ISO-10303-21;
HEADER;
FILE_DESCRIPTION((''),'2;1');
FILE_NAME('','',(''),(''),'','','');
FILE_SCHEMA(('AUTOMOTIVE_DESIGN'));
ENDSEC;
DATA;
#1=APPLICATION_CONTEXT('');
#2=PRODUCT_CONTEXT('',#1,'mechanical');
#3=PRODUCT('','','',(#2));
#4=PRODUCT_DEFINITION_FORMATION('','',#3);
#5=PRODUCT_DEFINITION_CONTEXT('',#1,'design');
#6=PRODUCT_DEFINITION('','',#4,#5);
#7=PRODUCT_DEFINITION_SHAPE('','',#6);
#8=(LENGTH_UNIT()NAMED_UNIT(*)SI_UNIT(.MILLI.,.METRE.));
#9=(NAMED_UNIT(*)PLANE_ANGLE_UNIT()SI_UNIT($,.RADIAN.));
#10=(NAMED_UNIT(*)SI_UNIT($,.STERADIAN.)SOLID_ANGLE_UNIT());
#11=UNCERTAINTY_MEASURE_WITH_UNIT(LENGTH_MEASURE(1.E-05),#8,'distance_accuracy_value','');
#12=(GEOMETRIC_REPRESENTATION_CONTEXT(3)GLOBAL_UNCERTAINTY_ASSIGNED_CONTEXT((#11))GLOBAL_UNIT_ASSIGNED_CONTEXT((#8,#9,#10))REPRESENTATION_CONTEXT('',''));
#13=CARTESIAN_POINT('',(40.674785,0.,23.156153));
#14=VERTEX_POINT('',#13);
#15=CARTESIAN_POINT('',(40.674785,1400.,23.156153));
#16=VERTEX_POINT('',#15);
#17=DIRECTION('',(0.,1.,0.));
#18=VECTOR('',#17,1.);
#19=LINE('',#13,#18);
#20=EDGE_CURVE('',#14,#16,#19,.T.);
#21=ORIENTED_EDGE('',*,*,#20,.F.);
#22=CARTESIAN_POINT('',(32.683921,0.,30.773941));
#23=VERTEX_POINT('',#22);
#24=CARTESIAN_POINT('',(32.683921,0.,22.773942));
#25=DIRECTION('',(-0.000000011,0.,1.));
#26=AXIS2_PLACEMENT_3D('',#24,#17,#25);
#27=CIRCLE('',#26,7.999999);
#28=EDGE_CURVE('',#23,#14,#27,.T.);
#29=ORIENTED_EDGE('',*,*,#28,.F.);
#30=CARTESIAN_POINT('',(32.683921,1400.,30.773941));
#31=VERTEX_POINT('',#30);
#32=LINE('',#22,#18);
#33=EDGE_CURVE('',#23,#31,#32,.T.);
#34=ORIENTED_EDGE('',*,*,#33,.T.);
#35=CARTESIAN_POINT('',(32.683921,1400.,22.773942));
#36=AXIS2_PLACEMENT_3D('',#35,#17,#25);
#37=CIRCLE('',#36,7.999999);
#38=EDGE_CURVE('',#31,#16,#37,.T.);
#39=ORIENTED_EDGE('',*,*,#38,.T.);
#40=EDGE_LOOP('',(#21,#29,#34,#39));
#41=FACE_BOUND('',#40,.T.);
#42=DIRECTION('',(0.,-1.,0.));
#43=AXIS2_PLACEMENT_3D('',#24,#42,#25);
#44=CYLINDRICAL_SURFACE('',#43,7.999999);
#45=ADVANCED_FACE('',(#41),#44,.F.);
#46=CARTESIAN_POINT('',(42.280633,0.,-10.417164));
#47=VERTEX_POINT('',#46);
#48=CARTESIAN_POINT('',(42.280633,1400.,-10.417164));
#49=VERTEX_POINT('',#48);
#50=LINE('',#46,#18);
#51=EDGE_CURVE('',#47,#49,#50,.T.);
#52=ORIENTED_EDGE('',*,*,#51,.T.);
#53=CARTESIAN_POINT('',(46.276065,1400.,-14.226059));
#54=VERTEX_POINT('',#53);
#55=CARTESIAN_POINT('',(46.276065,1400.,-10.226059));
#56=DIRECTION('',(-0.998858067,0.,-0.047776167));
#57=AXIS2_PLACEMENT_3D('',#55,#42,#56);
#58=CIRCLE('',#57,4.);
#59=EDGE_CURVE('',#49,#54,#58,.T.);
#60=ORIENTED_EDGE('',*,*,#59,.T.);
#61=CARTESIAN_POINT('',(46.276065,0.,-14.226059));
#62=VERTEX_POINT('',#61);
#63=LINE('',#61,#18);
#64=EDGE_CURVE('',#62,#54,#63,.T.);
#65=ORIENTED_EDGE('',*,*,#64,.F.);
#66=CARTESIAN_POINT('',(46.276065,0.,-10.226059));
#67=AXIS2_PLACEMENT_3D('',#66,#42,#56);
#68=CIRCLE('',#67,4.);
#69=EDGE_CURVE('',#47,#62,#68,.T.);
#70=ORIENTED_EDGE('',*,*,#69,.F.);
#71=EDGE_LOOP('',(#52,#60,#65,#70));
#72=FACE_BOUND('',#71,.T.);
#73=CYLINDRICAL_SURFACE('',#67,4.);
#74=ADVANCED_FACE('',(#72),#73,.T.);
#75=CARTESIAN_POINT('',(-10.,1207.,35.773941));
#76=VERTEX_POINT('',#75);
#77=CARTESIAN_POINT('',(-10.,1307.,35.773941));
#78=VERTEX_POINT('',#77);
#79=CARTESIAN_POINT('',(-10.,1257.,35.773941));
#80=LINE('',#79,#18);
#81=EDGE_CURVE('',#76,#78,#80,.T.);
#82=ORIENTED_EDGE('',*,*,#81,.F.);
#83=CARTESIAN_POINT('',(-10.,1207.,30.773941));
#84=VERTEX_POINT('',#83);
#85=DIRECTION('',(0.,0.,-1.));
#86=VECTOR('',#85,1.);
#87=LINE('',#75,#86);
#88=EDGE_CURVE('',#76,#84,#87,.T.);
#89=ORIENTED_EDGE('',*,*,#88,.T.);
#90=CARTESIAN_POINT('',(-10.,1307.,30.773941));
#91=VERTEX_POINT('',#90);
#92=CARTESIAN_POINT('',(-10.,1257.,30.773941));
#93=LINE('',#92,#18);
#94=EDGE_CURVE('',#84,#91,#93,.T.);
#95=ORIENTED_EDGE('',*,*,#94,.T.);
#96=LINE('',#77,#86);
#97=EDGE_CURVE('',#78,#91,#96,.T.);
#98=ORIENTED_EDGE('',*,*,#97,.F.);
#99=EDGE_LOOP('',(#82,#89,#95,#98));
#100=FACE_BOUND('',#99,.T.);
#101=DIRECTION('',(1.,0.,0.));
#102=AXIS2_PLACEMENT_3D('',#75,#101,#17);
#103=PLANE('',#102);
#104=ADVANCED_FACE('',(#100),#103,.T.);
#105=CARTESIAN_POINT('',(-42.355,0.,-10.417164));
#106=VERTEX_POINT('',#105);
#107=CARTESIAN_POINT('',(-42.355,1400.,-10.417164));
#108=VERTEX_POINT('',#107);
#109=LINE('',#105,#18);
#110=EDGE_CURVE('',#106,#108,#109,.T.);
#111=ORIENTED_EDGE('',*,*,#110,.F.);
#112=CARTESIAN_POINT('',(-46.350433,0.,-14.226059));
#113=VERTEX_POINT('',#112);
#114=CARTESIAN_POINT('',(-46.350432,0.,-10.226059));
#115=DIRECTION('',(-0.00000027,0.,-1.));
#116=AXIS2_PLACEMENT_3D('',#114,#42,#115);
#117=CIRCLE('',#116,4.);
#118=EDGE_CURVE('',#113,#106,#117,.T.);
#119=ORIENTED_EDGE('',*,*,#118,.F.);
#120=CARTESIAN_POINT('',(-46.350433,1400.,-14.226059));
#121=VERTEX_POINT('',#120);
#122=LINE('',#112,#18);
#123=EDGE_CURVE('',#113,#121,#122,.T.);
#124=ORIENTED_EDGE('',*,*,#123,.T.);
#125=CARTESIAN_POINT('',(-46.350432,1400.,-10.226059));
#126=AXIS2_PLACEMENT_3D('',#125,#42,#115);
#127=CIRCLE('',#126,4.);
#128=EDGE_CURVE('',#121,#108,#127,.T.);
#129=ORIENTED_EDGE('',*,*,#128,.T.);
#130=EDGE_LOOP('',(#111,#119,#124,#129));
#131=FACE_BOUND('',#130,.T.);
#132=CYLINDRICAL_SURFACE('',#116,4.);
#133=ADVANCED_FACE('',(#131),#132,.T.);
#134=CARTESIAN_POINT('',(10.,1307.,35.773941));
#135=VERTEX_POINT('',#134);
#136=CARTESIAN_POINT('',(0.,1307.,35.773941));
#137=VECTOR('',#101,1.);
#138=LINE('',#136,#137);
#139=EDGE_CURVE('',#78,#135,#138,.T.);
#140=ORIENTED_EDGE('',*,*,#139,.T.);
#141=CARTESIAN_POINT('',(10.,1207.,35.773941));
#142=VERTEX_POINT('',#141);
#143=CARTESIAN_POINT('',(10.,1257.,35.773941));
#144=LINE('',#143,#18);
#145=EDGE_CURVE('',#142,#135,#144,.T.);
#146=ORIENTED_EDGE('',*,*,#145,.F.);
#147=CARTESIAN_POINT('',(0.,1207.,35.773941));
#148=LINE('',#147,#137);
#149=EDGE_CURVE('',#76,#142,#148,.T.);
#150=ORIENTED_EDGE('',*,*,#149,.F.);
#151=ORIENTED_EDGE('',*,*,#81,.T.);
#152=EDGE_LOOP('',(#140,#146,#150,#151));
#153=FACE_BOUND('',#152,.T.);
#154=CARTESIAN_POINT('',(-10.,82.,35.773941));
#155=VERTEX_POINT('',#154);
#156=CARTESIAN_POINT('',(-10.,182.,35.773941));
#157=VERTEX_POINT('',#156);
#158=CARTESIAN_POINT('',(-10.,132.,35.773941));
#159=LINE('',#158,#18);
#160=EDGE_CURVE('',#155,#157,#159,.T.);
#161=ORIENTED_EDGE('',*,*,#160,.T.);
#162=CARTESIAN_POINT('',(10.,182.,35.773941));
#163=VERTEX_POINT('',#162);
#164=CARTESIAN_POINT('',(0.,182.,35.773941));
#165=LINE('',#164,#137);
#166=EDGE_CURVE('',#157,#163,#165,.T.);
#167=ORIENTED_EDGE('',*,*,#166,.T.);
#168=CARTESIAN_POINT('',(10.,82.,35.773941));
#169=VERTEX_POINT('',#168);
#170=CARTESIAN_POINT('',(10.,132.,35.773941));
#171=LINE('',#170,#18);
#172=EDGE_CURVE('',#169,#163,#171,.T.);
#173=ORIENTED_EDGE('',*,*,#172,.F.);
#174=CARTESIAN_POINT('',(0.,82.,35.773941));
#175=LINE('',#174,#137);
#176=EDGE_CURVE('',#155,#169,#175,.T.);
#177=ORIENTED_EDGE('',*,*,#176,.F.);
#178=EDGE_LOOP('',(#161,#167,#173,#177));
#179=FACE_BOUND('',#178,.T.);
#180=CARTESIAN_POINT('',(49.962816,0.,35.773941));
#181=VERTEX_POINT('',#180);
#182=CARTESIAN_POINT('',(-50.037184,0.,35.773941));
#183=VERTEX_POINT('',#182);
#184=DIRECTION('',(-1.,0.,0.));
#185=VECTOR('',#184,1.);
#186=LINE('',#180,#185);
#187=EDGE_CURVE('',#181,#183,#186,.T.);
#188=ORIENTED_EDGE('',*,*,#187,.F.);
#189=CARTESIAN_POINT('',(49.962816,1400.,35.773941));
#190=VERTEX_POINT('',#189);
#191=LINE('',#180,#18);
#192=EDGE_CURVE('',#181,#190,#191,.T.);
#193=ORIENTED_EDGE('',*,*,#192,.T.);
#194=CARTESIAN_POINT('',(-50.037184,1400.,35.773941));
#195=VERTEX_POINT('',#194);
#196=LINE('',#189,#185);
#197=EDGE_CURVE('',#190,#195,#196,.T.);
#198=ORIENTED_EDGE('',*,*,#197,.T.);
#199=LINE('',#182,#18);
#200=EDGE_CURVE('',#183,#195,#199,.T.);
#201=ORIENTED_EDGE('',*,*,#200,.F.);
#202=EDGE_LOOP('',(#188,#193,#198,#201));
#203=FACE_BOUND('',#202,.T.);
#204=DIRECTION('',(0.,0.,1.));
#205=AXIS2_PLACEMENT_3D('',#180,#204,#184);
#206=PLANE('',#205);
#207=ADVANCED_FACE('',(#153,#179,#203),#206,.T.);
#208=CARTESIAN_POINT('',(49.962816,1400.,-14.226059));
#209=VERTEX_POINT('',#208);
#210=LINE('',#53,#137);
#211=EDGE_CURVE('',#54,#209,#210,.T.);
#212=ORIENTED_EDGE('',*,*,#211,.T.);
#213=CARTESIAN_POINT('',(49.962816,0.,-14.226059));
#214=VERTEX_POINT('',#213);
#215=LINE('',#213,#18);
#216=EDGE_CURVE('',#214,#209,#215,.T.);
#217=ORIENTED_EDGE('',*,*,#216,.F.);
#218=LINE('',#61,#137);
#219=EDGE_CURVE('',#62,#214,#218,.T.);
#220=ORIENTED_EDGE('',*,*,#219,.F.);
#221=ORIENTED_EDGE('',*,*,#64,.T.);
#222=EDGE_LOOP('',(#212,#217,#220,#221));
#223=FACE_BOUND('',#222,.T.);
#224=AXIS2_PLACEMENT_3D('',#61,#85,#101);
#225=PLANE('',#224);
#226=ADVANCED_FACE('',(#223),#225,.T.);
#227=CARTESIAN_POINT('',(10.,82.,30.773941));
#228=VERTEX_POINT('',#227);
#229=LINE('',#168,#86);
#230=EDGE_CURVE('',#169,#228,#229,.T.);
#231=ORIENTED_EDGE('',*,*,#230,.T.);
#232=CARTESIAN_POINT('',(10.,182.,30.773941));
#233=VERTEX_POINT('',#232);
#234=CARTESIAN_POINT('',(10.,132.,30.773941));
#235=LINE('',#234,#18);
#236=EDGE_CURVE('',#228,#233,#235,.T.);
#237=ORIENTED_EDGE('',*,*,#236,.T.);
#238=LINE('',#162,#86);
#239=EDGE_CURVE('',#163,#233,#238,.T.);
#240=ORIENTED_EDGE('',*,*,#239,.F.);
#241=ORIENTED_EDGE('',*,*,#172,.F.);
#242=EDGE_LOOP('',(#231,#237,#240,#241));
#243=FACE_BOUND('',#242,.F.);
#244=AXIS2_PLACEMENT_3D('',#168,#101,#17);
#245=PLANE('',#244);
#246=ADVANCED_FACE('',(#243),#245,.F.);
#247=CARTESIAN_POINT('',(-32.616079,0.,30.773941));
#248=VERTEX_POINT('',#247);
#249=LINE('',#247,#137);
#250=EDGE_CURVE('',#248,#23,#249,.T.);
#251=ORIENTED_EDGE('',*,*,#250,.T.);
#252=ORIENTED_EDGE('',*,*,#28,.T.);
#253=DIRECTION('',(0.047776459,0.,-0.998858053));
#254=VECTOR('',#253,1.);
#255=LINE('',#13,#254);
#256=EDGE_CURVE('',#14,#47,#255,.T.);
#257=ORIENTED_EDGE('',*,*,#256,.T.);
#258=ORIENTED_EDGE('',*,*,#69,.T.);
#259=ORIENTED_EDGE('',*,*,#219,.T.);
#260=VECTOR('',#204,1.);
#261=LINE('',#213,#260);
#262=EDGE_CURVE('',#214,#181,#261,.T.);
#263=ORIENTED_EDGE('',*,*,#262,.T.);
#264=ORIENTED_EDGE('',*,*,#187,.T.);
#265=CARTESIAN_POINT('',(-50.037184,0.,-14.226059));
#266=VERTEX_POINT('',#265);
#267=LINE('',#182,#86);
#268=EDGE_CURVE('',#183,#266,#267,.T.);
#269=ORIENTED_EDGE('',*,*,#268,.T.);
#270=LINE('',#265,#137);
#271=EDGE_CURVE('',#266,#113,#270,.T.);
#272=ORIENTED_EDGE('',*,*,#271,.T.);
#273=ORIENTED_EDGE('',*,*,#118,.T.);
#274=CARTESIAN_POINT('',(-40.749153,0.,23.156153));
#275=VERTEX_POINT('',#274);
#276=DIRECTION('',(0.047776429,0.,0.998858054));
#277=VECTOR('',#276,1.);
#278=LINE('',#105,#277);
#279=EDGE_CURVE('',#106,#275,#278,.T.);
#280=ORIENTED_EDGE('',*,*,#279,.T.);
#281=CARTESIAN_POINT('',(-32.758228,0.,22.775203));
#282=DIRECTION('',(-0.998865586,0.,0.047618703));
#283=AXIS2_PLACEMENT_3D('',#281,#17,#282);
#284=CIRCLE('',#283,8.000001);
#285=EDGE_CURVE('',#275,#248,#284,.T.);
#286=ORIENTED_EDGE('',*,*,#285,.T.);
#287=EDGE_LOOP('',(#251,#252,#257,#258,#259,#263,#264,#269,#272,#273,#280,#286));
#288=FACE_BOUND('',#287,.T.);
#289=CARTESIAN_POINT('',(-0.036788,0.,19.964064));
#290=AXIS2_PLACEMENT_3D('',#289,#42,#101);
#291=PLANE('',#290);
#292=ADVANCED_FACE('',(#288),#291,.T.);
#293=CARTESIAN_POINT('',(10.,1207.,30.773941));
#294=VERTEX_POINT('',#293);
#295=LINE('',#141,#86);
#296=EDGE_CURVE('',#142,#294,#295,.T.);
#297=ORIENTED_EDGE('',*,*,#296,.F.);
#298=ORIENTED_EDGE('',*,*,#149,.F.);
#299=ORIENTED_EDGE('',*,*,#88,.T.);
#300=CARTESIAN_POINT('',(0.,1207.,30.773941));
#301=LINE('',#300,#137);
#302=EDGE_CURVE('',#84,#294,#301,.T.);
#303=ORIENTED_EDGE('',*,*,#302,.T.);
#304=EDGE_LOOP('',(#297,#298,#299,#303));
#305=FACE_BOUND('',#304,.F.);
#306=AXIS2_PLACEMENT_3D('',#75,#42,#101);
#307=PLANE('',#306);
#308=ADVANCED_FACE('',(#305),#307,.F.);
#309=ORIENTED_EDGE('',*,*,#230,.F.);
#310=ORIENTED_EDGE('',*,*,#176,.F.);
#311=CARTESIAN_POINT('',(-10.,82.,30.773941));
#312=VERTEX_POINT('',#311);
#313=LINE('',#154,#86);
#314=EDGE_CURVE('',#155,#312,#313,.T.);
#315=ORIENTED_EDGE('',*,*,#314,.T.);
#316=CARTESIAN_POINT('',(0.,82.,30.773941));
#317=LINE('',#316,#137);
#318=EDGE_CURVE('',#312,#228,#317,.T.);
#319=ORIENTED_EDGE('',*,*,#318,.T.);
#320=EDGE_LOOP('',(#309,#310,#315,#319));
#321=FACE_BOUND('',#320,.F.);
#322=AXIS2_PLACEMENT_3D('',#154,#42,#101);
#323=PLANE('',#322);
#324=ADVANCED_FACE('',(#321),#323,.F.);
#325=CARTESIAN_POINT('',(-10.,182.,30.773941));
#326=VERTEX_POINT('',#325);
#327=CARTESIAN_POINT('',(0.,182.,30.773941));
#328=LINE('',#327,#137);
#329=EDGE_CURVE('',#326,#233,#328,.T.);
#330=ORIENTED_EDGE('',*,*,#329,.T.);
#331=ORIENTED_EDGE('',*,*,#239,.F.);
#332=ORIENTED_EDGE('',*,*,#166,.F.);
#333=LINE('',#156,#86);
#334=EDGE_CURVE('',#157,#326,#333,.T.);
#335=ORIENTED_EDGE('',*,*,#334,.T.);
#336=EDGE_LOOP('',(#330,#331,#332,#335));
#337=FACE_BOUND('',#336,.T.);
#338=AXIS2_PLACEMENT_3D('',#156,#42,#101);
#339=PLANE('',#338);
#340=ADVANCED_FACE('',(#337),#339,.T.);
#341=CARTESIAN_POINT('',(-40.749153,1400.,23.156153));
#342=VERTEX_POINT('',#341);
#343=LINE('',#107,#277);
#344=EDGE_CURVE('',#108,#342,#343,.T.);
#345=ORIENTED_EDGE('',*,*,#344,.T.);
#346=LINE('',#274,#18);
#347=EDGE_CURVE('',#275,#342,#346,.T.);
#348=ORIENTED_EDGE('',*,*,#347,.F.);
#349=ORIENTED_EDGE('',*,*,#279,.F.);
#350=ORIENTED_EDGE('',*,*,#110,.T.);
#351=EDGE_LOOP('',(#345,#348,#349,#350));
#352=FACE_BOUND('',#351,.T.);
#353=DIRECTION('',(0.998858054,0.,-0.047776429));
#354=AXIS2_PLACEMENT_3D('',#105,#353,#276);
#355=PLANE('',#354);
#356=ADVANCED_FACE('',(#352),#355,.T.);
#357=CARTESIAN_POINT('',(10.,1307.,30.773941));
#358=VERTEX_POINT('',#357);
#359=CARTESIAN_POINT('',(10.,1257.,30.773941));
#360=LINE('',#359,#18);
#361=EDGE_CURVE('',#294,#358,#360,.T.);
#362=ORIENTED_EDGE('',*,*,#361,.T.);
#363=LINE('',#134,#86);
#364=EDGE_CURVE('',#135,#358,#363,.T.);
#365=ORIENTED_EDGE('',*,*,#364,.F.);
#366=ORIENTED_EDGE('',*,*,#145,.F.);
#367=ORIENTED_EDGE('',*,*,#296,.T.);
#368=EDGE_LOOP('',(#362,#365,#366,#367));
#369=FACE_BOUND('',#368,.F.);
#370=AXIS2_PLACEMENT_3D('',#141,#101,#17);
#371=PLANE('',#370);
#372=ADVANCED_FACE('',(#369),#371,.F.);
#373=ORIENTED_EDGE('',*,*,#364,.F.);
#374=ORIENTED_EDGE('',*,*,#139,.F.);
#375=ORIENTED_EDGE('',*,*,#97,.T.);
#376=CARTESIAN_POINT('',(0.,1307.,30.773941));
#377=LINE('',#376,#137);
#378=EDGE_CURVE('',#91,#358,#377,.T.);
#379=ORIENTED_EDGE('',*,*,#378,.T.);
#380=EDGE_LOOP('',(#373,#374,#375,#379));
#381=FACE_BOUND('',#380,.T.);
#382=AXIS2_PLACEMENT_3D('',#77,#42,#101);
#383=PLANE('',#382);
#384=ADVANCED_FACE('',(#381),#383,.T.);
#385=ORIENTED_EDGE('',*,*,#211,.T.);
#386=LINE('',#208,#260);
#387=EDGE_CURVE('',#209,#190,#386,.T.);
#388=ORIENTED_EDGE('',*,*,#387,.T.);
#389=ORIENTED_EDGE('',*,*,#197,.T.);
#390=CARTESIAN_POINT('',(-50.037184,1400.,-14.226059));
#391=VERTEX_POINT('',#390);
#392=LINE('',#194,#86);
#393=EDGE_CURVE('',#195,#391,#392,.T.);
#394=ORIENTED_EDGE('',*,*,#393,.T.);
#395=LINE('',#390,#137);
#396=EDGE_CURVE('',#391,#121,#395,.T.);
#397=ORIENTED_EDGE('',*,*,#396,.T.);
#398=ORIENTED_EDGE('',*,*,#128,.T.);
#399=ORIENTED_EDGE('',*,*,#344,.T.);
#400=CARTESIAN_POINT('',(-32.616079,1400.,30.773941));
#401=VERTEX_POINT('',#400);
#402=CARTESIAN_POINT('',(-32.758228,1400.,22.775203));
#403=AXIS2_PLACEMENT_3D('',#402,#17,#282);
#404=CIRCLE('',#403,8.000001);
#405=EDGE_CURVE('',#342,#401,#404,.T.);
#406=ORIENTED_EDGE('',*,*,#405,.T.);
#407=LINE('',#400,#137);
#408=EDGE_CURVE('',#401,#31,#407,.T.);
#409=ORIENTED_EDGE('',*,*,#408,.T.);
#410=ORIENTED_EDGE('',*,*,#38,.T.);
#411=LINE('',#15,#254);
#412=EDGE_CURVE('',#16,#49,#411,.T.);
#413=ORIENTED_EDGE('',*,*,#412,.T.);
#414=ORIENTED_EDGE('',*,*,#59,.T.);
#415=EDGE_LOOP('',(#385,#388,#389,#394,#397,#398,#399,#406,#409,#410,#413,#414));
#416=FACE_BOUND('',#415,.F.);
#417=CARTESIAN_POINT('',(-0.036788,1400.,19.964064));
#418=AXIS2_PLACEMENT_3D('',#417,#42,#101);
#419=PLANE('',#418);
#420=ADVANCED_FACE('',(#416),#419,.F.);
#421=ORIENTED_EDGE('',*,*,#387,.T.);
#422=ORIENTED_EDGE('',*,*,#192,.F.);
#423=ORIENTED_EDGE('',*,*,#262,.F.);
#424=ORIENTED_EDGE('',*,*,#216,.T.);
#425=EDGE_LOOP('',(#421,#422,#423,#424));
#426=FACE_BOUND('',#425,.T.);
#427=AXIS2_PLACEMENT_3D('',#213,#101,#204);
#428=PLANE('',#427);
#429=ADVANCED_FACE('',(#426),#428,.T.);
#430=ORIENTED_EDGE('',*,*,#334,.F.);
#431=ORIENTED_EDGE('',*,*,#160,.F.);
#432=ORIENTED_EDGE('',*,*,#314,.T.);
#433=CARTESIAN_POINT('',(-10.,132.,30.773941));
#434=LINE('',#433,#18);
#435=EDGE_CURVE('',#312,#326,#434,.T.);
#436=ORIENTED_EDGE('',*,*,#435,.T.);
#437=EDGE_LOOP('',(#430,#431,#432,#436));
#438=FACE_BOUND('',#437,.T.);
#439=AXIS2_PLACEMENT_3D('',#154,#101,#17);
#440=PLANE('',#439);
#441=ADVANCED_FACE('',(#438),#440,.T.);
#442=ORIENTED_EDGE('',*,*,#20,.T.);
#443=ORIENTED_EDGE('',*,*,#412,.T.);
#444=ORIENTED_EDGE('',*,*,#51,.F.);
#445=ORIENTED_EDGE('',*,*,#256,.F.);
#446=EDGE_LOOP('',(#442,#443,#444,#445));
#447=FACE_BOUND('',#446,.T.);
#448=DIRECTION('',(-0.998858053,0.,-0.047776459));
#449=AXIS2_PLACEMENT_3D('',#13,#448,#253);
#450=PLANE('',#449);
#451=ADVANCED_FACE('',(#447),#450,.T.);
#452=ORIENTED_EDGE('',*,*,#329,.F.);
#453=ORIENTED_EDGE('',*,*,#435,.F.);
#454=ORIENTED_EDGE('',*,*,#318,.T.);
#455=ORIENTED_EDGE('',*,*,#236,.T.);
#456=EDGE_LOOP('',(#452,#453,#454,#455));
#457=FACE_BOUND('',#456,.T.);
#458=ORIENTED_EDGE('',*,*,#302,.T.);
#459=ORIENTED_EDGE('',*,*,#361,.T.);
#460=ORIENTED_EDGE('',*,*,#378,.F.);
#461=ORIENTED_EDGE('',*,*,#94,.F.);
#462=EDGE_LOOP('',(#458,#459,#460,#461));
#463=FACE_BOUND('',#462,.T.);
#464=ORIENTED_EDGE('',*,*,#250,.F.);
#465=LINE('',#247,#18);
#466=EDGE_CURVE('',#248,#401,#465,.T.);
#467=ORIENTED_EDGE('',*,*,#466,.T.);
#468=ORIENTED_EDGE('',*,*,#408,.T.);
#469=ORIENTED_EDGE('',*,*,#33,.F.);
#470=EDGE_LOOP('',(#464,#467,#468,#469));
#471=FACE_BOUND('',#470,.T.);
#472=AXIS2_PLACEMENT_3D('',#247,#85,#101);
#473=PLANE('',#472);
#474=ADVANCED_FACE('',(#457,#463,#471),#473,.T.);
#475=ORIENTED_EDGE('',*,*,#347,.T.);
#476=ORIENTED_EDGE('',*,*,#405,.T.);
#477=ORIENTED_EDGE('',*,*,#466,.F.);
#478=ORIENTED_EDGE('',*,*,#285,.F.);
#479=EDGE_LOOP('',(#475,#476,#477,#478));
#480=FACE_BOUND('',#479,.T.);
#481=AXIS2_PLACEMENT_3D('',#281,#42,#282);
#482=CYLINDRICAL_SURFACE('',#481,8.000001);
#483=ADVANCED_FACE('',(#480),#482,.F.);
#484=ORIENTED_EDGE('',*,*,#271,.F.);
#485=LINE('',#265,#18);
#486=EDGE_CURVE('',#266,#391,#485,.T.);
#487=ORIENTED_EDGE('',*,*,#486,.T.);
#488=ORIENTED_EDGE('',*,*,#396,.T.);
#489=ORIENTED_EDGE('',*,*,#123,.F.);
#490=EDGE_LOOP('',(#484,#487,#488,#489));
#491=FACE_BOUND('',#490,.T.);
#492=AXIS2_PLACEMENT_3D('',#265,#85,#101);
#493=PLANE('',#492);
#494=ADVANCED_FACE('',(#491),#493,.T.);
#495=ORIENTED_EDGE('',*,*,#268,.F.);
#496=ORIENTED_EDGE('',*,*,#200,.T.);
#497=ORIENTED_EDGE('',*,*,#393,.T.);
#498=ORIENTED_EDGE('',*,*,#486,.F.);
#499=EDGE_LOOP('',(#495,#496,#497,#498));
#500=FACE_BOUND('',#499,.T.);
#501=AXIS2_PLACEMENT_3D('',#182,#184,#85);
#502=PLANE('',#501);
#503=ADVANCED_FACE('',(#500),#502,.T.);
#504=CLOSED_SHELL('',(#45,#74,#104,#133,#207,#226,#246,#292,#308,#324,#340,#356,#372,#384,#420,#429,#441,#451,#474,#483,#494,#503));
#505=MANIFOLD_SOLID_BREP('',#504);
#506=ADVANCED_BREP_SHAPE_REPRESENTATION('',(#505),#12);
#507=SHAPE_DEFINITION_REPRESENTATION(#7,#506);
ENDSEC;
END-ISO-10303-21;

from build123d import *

# Parameters (mm, degrees)
F1_DEPTH = 1400
F2_W     = 20
F2_H     = 100
F3_DEPTH = 5


with BuildPart() as f1:
    # F0 (on Front) → F1 (new body)
    with BuildSketch(Plane.XZ):
        with BuildLine():
            Line((49.962816, 35.773941), (-50.037184, 35.773941))
            Line((-50.037184, 35.773941), (-50.037184, -14.226059))
            Line((-50.037184, -14.226059), (-46.350433, -14.226059))
            ThreePointArc((-46.350433, -14.226059), (-43.590398, -13.121264), (-42.355, -10.417164))
            Line((-42.355, -10.417164), (-40.749153, 23.156153))
            ThreePointArc((-40.749153, 23.156153), (-38.227094, 28.613997), (-32.616079, 30.773941))
            Line((-32.616079, 30.773941), (32.683921, 30.773941))
            ThreePointArc((32.683921, 30.773941), (38.203989, 28.564351), (40.674785, 23.156153))
            Line((40.674785, 23.156153), (42.280633, -10.417164))
            ThreePointArc((42.280633, -10.417164), (43.516031, -13.121264), (46.276065, -14.226059))
            Line((46.276065, -14.226059), (49.962816, -14.226059))
            Line((49.962816, -14.226059), (49.962816, 35.773941))
        make_face()
    extrude(amount=-F1_DEPTH)

    # F2 (on face) → F3 (cut, through all)
    with BuildSketch(Plane.XY.offset(35.773941)):
        with Locations((0, 132)):
            Rectangle(F2_W, F2_H)
        with Locations((0, 1257)):
            Rectangle(F2_W, F2_H)
    extrude(amount=-F3_DEPTH, mode=Mode.SUBTRACT)


solid = f1.part
